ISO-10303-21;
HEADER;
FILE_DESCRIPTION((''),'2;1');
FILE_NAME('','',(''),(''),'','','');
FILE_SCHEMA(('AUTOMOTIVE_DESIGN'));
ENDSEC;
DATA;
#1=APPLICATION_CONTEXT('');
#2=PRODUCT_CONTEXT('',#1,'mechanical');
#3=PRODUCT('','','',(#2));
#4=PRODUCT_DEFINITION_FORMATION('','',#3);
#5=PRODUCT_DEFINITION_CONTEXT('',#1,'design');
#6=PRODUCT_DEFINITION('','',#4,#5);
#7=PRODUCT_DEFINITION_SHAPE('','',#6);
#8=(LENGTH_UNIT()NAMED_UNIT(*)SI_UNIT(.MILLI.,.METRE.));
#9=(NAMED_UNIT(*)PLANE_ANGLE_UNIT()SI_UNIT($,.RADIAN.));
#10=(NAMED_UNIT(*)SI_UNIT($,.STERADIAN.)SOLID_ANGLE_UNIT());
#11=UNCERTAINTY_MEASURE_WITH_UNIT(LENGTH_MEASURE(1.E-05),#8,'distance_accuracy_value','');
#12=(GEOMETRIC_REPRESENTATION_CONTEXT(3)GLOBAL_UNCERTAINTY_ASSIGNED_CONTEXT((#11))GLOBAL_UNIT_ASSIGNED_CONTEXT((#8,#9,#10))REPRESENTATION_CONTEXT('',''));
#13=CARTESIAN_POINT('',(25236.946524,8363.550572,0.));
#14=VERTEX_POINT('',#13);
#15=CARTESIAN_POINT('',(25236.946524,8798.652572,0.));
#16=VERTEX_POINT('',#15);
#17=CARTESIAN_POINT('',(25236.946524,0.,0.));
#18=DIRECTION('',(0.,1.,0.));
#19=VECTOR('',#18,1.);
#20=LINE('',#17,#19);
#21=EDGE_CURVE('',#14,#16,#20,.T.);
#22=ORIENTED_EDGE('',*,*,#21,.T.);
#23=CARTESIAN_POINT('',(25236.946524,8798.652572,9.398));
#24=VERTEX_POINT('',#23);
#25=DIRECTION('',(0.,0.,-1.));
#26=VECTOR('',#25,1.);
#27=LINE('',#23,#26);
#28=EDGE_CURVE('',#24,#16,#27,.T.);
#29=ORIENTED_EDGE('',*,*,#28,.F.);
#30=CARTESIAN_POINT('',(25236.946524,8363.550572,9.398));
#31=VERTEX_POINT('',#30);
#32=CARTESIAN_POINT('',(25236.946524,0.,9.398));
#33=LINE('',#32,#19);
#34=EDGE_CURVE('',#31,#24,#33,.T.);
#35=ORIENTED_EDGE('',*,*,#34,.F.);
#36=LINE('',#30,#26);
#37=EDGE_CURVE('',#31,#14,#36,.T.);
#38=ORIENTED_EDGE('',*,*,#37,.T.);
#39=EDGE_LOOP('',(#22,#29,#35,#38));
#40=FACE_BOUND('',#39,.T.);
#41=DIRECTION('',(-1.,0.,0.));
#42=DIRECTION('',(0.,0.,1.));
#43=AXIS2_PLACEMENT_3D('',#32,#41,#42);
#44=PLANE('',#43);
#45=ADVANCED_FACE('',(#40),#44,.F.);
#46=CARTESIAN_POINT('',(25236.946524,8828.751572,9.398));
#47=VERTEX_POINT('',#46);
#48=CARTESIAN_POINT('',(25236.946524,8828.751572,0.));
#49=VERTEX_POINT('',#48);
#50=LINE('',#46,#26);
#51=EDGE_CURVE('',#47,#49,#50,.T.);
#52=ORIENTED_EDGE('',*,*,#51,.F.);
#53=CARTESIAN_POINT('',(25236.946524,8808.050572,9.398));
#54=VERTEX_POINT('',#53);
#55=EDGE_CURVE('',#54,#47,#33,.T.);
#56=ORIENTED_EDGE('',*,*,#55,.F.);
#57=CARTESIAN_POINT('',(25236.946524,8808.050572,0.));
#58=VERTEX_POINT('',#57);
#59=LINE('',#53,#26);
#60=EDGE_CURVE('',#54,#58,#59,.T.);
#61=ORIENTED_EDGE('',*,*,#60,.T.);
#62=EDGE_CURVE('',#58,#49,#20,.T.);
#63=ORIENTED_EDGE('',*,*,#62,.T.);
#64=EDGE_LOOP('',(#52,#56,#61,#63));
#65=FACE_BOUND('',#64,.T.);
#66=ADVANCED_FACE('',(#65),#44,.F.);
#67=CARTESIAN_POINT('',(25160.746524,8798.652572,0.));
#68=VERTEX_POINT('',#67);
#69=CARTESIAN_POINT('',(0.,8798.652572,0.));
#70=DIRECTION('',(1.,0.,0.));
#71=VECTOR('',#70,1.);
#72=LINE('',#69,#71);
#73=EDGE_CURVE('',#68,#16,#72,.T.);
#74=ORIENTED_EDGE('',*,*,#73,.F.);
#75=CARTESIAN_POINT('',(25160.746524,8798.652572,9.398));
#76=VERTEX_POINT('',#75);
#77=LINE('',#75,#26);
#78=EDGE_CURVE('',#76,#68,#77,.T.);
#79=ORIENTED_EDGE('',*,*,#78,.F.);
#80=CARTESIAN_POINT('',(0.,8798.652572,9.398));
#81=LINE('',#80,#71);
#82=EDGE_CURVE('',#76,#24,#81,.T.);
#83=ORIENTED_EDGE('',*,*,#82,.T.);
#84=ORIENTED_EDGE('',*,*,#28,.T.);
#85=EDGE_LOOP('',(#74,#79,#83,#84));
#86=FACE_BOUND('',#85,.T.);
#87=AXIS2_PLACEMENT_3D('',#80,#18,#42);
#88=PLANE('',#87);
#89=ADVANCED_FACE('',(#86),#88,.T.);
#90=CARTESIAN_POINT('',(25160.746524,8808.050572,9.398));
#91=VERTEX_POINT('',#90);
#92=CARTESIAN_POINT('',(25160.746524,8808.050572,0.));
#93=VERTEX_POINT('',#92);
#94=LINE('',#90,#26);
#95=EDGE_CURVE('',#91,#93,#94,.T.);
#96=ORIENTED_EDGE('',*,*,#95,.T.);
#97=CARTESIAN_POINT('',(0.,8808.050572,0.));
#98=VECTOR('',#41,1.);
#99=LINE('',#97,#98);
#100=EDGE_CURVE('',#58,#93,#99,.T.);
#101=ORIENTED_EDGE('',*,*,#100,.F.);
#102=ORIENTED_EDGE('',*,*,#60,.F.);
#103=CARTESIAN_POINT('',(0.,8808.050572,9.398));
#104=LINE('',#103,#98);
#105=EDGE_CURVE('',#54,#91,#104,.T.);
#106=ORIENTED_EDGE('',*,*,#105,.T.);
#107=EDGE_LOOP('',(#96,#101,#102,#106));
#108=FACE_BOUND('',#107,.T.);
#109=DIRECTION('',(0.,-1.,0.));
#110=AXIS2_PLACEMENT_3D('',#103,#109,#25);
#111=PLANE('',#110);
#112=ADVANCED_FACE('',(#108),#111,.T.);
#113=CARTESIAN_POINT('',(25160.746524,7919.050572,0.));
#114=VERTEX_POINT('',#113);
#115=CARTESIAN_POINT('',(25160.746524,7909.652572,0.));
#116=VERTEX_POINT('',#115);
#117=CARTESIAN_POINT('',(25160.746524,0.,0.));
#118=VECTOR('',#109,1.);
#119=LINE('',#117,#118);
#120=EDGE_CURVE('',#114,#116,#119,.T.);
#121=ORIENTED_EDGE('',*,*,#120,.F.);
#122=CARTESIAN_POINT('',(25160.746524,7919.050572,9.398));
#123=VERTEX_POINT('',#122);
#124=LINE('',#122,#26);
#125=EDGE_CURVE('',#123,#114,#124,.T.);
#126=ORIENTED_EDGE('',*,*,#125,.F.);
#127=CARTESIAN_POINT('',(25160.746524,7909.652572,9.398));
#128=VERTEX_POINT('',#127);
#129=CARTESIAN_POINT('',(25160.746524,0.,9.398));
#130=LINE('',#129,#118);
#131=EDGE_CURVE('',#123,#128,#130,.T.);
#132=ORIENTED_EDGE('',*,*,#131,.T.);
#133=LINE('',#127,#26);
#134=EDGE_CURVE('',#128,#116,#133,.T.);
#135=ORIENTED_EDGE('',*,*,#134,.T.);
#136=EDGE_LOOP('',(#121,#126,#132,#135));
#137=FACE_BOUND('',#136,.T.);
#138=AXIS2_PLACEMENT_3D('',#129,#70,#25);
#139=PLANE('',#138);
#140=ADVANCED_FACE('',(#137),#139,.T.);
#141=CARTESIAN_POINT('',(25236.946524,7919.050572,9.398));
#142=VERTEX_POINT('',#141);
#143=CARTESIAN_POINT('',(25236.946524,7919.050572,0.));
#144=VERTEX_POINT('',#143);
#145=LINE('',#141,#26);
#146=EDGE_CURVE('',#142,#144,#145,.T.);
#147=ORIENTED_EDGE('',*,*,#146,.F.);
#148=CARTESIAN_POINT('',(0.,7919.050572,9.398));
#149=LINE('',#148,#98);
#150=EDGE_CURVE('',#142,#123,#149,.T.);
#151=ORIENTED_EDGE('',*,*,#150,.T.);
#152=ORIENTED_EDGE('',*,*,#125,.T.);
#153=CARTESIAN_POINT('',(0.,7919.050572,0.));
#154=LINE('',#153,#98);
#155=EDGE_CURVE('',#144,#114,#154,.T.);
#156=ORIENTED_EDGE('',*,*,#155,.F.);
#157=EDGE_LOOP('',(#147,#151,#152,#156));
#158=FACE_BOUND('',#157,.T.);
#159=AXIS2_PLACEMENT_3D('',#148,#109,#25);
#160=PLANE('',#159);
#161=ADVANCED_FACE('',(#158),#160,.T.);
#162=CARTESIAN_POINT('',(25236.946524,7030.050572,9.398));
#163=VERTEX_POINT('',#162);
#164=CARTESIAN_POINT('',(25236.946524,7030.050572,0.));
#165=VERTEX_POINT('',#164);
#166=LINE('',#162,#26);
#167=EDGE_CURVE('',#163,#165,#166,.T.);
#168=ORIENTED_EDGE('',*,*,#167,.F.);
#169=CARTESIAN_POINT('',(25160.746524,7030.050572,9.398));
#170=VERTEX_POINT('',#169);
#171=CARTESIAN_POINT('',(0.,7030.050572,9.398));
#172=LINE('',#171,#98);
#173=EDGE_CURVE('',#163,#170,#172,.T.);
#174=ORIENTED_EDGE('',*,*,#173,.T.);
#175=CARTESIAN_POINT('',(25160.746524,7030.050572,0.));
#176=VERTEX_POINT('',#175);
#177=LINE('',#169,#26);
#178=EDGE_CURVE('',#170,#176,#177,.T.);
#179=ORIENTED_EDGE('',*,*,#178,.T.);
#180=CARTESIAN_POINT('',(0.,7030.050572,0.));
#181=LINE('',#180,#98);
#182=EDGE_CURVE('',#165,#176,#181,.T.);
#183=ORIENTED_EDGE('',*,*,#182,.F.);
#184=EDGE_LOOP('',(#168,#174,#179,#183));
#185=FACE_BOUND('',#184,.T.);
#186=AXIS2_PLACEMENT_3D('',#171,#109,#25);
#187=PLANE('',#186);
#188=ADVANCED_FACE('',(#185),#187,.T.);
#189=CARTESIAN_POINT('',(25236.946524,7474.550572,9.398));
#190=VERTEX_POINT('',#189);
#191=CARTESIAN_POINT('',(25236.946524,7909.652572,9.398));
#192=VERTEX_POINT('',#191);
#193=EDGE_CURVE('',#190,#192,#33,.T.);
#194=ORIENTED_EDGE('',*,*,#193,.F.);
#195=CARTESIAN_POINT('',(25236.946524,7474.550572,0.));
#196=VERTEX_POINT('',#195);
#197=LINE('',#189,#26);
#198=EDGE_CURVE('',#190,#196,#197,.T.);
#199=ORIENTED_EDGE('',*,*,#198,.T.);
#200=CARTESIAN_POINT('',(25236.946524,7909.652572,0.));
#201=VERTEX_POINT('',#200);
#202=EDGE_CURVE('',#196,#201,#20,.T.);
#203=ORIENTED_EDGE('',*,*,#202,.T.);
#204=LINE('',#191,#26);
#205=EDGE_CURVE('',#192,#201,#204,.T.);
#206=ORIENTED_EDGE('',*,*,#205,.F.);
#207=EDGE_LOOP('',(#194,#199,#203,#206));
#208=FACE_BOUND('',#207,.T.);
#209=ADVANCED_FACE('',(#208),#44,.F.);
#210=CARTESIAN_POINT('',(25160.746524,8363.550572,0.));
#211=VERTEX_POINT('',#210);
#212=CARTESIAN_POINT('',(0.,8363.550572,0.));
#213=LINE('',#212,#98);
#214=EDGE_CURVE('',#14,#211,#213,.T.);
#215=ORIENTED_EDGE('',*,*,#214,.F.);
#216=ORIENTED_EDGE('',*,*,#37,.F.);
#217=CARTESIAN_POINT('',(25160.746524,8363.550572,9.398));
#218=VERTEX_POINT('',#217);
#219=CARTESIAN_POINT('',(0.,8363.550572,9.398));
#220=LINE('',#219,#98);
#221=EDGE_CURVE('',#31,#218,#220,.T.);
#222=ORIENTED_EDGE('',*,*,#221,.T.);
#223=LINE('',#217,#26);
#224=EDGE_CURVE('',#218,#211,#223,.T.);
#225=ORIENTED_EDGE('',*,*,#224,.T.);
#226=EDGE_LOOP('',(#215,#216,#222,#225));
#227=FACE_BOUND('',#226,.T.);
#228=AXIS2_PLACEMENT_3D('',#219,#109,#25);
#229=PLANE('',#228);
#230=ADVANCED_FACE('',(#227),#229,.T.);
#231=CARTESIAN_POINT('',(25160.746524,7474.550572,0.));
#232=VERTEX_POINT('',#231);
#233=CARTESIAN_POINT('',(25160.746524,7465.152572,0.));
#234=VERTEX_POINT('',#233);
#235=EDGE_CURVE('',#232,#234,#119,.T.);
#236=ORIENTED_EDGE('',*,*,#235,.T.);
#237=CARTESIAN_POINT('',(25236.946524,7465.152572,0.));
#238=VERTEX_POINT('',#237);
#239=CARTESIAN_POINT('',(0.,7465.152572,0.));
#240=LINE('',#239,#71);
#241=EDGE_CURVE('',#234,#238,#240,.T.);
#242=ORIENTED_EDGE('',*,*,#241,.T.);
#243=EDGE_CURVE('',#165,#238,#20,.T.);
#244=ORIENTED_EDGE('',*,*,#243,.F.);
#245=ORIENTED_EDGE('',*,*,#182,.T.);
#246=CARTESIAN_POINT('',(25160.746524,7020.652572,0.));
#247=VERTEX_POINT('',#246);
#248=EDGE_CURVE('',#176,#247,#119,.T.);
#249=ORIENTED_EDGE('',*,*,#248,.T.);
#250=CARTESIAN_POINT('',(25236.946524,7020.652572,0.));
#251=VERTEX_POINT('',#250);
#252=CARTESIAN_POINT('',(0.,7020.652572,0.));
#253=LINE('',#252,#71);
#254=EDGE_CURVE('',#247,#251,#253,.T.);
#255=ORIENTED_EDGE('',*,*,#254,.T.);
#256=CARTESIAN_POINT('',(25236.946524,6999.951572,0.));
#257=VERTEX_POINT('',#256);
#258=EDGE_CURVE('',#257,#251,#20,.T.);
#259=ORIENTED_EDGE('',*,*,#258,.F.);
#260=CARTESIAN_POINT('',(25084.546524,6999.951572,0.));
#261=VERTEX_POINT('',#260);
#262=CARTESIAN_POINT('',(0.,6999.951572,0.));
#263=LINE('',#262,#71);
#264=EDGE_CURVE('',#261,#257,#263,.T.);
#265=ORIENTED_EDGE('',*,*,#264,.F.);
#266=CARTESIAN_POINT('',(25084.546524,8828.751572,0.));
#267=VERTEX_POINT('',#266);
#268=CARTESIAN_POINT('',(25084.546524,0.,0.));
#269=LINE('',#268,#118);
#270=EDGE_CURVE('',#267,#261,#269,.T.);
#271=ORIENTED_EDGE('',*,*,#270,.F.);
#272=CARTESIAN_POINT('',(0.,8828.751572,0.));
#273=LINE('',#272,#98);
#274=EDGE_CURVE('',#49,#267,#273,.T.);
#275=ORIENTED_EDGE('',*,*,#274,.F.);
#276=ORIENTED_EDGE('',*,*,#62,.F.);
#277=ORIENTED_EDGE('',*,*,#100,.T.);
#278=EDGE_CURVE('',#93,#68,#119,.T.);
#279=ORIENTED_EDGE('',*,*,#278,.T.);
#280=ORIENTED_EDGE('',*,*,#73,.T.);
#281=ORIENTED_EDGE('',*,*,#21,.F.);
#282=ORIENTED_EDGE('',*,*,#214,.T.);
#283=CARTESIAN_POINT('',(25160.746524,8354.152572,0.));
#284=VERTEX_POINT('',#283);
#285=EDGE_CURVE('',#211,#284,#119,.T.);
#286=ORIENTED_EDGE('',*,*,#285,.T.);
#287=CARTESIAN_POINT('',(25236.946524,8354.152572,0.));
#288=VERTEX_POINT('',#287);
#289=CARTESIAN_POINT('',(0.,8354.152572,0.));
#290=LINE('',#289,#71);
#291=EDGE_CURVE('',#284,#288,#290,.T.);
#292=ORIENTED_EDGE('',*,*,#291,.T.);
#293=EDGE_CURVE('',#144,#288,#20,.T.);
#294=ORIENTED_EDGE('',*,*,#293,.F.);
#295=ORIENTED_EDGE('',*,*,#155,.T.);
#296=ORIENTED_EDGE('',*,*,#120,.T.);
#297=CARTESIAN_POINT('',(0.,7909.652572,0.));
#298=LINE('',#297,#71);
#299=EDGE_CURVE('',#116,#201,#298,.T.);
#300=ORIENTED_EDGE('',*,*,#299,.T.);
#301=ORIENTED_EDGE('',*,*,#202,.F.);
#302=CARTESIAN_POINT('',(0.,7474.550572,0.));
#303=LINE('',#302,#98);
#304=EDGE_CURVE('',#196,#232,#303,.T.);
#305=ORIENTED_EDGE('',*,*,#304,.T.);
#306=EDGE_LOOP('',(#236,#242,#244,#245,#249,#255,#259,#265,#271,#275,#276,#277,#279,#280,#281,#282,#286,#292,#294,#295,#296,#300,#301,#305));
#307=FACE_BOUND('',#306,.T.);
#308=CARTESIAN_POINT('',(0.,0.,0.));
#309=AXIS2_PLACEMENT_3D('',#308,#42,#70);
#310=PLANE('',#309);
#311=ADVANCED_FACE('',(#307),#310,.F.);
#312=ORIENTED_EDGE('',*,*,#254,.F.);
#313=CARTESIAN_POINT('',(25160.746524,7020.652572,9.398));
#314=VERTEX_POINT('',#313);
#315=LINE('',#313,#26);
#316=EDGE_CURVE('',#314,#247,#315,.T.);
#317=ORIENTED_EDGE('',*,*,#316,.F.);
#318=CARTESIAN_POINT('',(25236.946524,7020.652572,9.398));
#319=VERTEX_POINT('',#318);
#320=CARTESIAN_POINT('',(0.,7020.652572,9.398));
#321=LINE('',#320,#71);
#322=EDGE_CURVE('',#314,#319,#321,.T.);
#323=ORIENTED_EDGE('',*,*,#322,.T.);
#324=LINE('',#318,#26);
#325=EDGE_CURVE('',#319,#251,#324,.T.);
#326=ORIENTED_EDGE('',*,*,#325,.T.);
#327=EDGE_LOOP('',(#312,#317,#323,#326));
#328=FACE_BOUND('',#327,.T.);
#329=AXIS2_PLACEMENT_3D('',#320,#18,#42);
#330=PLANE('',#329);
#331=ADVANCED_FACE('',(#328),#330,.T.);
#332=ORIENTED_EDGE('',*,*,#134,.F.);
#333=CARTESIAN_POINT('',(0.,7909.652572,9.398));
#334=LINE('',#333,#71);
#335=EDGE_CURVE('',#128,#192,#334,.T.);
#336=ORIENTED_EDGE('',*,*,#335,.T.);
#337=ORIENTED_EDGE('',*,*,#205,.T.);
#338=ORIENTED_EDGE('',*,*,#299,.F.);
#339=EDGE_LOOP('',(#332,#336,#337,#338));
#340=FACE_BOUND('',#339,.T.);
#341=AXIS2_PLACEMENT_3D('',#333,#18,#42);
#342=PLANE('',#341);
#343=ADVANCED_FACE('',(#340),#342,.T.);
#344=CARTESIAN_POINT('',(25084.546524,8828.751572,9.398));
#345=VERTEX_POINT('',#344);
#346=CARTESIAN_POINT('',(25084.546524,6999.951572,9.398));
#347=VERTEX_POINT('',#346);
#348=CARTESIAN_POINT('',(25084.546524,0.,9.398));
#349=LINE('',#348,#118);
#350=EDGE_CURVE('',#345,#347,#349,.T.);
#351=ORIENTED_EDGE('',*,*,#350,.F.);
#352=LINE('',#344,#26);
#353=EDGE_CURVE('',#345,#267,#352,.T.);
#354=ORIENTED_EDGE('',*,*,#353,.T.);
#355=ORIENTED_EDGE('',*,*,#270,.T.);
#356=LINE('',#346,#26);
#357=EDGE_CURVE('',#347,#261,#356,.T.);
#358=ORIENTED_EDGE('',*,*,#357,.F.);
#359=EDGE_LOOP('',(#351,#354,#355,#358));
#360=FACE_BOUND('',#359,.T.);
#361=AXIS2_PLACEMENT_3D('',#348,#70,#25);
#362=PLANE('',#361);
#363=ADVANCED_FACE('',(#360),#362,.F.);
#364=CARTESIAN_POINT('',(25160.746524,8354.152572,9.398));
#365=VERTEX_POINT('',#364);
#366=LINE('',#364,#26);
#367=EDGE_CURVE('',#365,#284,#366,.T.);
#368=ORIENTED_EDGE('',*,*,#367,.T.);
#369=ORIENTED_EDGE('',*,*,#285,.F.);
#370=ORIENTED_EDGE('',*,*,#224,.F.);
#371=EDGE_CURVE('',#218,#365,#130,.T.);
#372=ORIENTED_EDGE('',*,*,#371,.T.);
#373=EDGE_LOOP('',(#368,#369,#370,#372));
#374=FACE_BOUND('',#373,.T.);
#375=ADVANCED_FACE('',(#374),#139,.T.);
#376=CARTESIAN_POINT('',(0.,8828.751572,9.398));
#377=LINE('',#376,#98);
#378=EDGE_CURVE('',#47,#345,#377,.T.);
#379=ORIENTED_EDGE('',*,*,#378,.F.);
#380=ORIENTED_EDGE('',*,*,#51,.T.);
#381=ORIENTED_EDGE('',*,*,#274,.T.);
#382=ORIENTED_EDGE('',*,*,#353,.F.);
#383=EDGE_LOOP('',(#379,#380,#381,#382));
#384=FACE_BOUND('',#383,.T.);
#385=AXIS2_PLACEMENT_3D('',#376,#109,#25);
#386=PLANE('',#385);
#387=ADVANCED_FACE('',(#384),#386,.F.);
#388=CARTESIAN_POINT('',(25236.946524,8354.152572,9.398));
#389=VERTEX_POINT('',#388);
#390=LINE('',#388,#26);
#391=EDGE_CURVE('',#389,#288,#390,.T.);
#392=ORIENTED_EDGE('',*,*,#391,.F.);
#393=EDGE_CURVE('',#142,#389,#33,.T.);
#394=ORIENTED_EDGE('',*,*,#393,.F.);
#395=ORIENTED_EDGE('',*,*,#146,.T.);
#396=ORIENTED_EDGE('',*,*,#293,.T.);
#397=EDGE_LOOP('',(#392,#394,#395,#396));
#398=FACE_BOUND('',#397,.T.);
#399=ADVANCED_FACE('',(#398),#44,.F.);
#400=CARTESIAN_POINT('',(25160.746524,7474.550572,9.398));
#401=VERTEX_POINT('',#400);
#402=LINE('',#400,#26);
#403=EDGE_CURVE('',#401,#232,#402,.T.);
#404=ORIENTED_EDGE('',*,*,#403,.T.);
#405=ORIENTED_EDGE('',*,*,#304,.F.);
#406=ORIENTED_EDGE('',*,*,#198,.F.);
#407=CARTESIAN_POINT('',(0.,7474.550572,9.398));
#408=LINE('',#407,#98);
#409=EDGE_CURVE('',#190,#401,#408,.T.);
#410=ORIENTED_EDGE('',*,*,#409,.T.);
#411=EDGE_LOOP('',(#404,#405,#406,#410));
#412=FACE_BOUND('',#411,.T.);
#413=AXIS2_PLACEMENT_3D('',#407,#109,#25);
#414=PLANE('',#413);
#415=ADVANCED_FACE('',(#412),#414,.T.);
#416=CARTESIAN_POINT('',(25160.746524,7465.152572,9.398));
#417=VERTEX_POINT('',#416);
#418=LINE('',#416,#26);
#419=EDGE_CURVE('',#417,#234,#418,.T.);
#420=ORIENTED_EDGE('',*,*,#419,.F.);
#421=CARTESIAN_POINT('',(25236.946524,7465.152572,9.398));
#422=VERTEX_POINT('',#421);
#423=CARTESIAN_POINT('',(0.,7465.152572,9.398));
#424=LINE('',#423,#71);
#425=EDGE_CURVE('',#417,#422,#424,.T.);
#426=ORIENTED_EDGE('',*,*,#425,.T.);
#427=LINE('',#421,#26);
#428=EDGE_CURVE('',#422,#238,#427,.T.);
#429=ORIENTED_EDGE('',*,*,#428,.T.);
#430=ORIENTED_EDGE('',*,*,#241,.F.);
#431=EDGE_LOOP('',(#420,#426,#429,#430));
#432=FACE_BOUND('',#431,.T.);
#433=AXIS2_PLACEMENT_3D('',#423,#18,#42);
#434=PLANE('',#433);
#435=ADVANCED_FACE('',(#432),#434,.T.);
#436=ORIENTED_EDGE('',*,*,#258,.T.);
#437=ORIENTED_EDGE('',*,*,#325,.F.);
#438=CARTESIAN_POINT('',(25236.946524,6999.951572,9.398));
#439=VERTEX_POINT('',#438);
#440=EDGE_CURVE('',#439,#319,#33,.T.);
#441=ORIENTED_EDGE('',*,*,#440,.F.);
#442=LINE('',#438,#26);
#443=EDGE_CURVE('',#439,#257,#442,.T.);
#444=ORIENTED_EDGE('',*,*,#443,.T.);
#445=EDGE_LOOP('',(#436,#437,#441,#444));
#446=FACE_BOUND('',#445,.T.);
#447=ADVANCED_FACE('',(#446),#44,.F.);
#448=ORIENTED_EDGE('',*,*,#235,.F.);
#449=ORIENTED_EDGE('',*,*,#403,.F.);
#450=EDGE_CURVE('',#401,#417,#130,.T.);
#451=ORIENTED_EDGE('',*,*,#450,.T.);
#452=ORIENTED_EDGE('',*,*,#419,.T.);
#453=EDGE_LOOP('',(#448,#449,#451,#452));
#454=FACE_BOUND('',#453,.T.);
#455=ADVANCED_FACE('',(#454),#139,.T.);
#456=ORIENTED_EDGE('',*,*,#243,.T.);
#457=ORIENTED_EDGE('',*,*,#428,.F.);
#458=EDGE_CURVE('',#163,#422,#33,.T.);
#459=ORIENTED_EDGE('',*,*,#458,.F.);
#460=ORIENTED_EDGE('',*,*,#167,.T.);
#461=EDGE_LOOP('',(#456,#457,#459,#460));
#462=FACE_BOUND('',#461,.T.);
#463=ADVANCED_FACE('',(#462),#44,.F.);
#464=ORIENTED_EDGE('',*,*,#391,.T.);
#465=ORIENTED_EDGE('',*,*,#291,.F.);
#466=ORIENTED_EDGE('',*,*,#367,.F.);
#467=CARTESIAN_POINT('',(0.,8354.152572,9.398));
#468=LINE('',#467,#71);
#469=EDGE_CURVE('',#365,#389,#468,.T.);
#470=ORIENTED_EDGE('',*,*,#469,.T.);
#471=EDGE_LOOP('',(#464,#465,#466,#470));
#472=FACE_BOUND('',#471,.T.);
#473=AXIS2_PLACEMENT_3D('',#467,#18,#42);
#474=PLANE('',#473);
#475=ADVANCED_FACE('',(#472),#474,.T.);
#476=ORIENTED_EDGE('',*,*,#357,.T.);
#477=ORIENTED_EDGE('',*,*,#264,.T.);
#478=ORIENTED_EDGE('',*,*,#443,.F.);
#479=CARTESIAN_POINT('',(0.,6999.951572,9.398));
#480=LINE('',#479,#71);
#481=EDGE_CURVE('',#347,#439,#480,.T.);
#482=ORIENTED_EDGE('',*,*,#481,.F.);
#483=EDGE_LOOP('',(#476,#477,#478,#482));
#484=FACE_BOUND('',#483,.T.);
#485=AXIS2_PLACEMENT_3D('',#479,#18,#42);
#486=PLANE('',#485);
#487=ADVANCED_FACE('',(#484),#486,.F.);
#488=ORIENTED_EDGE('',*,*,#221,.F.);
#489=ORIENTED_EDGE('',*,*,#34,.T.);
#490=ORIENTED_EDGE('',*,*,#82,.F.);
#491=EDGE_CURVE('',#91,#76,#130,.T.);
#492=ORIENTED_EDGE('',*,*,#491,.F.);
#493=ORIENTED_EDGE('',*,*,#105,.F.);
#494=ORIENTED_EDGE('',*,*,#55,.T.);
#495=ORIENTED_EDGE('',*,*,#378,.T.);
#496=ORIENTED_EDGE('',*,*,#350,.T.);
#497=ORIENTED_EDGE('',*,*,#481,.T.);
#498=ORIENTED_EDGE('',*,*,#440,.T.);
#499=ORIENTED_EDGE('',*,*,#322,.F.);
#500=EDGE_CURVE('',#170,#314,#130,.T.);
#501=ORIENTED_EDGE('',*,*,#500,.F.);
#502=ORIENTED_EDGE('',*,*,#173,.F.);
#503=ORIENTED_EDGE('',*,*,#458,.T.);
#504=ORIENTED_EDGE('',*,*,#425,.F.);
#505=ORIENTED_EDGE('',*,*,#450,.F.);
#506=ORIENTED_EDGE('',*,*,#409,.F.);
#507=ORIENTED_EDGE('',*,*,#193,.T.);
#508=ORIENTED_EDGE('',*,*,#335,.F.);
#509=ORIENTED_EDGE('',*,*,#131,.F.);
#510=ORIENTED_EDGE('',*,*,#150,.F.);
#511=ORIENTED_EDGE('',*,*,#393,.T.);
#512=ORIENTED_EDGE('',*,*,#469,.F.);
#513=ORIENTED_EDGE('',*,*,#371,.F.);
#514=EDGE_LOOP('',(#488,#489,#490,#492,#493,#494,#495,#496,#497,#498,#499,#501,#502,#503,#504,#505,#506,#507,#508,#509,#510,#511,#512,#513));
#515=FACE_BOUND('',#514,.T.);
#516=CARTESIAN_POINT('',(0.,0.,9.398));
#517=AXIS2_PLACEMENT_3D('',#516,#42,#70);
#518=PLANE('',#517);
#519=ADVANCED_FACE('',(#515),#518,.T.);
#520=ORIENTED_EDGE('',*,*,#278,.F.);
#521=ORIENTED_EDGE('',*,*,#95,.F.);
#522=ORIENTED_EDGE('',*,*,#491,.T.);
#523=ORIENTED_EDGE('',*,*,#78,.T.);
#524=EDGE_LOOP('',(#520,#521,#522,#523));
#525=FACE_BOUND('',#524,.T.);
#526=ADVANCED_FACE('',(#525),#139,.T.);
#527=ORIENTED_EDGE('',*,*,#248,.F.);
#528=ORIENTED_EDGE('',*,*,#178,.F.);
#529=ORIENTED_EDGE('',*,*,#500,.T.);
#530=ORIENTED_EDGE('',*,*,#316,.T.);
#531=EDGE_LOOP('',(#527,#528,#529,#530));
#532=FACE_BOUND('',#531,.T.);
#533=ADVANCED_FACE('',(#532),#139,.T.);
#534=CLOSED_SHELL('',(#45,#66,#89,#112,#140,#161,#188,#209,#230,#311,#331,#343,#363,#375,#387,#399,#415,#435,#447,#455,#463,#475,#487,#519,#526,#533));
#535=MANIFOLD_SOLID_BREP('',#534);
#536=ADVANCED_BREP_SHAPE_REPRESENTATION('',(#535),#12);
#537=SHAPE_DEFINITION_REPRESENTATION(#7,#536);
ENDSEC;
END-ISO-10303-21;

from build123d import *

# Parameters (mm, degrees)
BOSS_EXTRUDE1_DEPTH = 9.398


with BuildPart() as part:
    # Sketch1 → Boss-Extrude1 (new body)
    with BuildSketch(Plane.XY):
        Polygon((25084.546523942, 8828.751571885), (25084.546523942, 6999.951571885), (25236.946523942, 6999.951571885), (25236.946523942, 7020.652571885), (25160.746523942, 7020.652571885), (25160.746523942, 7030.050571885), (25236.946523942, 7030.050571885), (25236.946523942, 7465.152571885), (25160.746523942, 7465.152571885), (25160.746523942, 7474.550571885), (25236.946523942, 7474.550571885), (25236.946523942, 7909.652571885), (25160.746523942, 7909.652571885), (25160.746523942, 7919.050571885), (25236.946523942, 7919.050571885), (25236.946523942, 8354.152571885), (25160.746523942, 8354.152571885), (25160.746523942, 8363.550571885), (25236.946523942, 8363.550571885), (25236.946523942, 8798.652571885), (25160.746523942, 8798.652571885), (25160.746523942, 8808.050571885), (25236.946523942, 8808.050571885), (25236.946523942, 8828.751571885), align=None)
    extrude(amount=BOSS_EXTRUDE1_DEPTH)


solid = part.part
